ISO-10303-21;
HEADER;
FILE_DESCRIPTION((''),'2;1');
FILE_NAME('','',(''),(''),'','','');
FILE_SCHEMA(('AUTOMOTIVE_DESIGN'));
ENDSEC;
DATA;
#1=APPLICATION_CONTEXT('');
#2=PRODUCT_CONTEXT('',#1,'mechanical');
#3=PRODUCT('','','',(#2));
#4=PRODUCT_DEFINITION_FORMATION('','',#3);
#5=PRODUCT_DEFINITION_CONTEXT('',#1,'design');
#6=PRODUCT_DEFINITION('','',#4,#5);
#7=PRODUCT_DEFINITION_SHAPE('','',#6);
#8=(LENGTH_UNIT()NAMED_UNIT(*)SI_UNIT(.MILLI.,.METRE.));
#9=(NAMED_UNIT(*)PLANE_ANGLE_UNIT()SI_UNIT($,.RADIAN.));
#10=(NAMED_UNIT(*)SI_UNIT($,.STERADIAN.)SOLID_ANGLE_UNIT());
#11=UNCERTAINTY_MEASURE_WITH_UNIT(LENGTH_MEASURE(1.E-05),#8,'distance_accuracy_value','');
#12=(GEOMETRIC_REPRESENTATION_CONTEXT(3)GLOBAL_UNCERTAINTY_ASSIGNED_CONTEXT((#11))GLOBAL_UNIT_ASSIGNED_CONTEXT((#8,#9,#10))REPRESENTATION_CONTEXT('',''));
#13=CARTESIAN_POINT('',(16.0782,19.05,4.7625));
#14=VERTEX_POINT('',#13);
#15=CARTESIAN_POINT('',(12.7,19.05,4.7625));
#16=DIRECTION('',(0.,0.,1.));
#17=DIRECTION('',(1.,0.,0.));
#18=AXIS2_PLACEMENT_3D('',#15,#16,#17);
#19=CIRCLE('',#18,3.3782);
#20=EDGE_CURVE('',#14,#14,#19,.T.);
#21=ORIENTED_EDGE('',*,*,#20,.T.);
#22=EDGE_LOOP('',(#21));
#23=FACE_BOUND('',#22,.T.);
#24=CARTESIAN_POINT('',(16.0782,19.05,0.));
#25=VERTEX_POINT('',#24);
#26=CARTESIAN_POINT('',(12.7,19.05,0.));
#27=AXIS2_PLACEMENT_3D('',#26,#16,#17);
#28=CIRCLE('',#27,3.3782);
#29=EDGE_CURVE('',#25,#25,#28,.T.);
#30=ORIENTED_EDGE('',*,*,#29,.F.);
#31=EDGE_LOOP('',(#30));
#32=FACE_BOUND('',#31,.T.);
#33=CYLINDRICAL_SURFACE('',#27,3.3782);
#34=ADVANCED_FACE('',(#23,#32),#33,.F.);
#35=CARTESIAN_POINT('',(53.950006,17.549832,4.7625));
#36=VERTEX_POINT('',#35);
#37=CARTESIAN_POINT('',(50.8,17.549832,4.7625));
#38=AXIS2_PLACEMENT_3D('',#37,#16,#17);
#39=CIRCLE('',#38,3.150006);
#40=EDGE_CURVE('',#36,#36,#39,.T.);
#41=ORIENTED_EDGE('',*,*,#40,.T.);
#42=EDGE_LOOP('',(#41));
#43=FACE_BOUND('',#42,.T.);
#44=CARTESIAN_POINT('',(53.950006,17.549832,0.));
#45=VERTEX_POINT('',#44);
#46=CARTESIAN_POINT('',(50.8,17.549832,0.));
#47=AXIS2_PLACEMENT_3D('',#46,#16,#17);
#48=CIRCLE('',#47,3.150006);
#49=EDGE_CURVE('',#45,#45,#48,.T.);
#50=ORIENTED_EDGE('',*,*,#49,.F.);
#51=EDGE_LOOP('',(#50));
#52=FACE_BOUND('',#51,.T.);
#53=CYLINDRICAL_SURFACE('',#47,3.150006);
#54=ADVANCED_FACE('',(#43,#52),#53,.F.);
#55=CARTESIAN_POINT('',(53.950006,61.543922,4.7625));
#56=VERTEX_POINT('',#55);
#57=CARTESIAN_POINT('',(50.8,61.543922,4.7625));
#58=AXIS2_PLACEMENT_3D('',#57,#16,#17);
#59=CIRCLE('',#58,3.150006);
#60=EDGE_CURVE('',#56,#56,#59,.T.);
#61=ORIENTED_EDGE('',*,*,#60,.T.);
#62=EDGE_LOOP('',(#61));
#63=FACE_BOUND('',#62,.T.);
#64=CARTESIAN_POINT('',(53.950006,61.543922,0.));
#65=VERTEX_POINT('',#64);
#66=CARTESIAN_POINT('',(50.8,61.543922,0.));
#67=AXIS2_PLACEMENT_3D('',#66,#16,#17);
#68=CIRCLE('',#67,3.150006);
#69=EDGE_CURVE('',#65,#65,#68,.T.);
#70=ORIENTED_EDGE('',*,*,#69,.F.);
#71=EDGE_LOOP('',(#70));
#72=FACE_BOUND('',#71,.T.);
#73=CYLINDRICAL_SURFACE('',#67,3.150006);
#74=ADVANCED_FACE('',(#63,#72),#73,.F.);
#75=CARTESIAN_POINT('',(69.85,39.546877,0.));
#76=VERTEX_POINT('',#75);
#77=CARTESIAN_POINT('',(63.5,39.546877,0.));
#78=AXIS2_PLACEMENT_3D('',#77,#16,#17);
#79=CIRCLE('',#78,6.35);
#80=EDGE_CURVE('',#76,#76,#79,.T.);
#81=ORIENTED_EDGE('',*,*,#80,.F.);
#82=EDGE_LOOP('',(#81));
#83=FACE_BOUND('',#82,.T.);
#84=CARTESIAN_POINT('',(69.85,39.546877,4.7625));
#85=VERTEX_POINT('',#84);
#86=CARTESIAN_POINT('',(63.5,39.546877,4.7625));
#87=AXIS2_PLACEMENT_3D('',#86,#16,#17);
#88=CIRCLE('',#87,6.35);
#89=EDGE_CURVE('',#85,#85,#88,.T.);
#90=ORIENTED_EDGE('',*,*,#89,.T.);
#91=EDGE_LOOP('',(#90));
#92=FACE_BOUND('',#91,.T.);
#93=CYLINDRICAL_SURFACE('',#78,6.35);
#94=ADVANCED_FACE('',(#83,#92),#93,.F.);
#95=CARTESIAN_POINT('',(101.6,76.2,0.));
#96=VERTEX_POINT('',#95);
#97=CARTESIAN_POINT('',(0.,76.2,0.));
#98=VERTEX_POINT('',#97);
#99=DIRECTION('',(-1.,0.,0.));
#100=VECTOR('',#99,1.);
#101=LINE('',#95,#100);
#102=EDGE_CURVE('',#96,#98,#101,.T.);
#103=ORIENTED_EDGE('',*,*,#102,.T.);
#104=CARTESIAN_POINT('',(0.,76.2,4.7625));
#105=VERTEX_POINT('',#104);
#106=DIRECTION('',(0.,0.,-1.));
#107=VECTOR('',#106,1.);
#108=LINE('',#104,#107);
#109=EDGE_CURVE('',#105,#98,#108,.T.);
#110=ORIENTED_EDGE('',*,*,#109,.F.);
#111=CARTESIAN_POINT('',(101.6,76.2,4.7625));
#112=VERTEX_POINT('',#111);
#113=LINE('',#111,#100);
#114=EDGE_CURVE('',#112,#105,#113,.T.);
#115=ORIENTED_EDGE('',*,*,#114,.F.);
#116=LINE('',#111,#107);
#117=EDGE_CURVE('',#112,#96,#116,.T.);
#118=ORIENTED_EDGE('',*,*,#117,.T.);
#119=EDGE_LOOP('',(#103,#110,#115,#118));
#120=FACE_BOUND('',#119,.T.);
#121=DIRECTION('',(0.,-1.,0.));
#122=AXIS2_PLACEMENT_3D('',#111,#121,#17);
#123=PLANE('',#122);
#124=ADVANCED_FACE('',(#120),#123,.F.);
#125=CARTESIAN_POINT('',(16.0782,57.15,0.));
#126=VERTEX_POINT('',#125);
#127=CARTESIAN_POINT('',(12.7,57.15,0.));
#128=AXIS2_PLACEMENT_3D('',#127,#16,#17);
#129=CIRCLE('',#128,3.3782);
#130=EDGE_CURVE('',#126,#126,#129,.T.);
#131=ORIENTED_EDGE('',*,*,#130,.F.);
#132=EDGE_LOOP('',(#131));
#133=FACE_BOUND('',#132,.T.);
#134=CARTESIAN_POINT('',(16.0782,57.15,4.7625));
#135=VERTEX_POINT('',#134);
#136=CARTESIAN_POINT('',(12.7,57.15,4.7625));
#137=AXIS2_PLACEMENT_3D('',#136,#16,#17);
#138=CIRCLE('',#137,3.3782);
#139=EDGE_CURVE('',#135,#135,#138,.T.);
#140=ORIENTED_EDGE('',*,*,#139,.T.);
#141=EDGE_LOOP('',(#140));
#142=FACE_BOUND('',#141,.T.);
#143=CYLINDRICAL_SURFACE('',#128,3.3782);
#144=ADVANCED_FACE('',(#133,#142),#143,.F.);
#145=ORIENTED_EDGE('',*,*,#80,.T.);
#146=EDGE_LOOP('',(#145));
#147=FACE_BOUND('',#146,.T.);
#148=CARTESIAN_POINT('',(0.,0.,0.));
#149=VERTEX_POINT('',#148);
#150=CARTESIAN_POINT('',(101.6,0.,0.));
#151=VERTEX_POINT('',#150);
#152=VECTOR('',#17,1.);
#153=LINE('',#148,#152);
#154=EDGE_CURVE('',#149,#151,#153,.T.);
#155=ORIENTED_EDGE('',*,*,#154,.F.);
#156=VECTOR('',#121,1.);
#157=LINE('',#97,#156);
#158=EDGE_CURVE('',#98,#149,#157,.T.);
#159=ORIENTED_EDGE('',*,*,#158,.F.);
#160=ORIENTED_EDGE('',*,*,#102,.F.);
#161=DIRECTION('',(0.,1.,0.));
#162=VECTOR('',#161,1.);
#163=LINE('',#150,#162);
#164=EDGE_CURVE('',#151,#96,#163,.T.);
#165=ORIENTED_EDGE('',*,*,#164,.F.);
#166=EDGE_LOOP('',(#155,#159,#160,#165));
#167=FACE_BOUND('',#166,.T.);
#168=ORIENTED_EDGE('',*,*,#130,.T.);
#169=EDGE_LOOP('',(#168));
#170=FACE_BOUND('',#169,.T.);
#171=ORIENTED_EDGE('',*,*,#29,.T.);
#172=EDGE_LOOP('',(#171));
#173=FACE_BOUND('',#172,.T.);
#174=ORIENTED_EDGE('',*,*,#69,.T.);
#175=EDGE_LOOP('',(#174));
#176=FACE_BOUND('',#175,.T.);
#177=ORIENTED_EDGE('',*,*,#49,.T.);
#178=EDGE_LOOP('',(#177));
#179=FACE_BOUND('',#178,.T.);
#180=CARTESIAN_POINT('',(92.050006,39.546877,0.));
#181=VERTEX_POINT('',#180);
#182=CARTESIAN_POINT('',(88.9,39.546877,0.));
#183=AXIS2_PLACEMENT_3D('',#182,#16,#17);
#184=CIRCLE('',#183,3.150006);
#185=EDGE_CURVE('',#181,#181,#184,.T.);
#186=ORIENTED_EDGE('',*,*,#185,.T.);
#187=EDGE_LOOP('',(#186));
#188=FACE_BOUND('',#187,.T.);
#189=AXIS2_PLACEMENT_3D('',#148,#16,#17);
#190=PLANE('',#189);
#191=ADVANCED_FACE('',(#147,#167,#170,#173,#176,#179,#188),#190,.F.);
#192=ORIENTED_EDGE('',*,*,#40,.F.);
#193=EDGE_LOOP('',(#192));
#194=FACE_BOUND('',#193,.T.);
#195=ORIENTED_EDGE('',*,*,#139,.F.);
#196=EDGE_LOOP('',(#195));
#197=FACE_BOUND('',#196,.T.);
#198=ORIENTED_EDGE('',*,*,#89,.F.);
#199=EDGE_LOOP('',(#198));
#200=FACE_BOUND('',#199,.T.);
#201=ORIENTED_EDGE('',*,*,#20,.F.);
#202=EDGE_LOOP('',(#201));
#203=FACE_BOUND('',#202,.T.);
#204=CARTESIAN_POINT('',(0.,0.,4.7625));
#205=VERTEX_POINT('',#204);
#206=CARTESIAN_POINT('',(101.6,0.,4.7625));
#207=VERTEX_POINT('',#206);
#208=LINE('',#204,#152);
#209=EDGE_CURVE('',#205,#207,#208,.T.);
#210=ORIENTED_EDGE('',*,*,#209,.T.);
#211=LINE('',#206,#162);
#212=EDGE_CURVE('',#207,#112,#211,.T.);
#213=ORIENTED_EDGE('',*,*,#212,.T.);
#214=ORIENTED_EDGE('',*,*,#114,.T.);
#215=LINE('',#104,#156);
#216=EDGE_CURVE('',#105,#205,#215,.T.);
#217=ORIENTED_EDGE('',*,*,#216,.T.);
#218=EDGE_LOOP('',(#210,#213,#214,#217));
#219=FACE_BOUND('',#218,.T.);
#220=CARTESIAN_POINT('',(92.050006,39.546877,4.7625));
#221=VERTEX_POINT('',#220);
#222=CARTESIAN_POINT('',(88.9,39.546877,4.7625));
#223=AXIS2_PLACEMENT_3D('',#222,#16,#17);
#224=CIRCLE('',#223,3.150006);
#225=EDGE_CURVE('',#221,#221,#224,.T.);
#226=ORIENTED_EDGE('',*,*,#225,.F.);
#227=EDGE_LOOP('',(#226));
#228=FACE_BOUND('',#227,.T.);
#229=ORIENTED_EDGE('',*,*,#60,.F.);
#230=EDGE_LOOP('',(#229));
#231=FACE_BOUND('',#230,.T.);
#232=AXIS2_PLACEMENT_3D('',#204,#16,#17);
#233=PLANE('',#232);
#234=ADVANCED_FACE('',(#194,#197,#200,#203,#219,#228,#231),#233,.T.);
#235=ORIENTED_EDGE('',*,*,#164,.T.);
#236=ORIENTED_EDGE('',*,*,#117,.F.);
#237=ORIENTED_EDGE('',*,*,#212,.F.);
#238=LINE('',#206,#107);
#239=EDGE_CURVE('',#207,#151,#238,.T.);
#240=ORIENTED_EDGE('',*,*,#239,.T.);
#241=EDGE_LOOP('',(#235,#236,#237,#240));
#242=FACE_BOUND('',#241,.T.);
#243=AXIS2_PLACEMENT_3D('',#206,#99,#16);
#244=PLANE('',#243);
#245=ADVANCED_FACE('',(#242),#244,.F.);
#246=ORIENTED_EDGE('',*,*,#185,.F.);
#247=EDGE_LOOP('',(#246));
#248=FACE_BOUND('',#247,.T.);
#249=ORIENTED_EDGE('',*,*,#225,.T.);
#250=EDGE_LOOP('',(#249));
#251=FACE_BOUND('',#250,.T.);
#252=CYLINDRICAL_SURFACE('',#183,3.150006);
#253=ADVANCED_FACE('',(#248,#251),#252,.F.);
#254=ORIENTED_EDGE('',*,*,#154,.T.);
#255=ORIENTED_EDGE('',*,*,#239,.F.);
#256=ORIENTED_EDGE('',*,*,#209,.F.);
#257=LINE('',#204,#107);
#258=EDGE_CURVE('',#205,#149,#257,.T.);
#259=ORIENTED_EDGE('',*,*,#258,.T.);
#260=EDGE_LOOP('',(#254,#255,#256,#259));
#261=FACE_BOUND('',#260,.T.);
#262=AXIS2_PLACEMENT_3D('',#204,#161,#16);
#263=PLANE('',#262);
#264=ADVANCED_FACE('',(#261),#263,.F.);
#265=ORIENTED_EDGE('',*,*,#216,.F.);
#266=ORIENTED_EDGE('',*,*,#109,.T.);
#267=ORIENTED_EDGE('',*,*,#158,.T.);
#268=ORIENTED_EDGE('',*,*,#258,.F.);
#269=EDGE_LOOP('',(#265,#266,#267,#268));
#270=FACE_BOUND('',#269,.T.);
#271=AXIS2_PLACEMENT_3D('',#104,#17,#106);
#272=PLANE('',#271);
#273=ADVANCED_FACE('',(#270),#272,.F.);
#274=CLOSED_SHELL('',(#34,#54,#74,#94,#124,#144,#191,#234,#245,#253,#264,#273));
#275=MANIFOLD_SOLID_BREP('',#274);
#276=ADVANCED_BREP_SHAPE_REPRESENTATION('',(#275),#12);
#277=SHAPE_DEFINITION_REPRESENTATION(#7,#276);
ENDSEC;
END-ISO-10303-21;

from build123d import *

# Parameters (mm, degrees)
SKETCH1_W           = 101.6
SKETCH1_H           = 76.2
BOSS_EXTRUDE1_DEPTH = 4.7625
SKETCH2_R           = 3.3782
CUT_EXTRUDE1_DEPTH  = 5.7625
SKETCH3_R           = 6.35
SKETCH3_R_2         = 3.1500064
CUT_EXTRUDE2_DEPTH  = 5.7625


with BuildPart() as part:
    # Sketch1 → Boss-Extrude1 (new body)
    with BuildSketch(Plane.XY):
        with Locations((50.8, 38.1)):
            Rectangle(SKETCH1_W, SKETCH1_H)
    extrude(amount=BOSS_EXTRUDE1_DEPTH)

    # Sketch2 → Cut-Extrude1 (cut, through all)
    with BuildSketch(Plane.XY.offset(4.7625)):
        with Locations((12.7, 57.15)):
            Circle(SKETCH2_R)
        with Locations((12.7, 19.05)):
            Circle(SKETCH2_R)
    extrude(amount=-CUT_EXTRUDE1_DEPTH, mode=Mode.SUBTRACT)

    # Sketch3 → Cut-Extrude2 (cut, through all)
    with BuildSketch(Plane.XY.offset(4.7625)):
        with Locations((63.5, 39.546877005)):
            Circle(SKETCH3_R)
        with Locations((50.8, 61.543922261)):
            Circle(SKETCH3_R_2)
        with Locations((88.9, 39.546877005)):
            Circle(SKETCH3_R_2)
        with Locations((50.8, 17.549831749)):
            Circle(SKETCH3_R_2)
    extrude(amount=-CUT_EXTRUDE2_DEPTH, mode=Mode.SUBTRACT)


solid = part.part
